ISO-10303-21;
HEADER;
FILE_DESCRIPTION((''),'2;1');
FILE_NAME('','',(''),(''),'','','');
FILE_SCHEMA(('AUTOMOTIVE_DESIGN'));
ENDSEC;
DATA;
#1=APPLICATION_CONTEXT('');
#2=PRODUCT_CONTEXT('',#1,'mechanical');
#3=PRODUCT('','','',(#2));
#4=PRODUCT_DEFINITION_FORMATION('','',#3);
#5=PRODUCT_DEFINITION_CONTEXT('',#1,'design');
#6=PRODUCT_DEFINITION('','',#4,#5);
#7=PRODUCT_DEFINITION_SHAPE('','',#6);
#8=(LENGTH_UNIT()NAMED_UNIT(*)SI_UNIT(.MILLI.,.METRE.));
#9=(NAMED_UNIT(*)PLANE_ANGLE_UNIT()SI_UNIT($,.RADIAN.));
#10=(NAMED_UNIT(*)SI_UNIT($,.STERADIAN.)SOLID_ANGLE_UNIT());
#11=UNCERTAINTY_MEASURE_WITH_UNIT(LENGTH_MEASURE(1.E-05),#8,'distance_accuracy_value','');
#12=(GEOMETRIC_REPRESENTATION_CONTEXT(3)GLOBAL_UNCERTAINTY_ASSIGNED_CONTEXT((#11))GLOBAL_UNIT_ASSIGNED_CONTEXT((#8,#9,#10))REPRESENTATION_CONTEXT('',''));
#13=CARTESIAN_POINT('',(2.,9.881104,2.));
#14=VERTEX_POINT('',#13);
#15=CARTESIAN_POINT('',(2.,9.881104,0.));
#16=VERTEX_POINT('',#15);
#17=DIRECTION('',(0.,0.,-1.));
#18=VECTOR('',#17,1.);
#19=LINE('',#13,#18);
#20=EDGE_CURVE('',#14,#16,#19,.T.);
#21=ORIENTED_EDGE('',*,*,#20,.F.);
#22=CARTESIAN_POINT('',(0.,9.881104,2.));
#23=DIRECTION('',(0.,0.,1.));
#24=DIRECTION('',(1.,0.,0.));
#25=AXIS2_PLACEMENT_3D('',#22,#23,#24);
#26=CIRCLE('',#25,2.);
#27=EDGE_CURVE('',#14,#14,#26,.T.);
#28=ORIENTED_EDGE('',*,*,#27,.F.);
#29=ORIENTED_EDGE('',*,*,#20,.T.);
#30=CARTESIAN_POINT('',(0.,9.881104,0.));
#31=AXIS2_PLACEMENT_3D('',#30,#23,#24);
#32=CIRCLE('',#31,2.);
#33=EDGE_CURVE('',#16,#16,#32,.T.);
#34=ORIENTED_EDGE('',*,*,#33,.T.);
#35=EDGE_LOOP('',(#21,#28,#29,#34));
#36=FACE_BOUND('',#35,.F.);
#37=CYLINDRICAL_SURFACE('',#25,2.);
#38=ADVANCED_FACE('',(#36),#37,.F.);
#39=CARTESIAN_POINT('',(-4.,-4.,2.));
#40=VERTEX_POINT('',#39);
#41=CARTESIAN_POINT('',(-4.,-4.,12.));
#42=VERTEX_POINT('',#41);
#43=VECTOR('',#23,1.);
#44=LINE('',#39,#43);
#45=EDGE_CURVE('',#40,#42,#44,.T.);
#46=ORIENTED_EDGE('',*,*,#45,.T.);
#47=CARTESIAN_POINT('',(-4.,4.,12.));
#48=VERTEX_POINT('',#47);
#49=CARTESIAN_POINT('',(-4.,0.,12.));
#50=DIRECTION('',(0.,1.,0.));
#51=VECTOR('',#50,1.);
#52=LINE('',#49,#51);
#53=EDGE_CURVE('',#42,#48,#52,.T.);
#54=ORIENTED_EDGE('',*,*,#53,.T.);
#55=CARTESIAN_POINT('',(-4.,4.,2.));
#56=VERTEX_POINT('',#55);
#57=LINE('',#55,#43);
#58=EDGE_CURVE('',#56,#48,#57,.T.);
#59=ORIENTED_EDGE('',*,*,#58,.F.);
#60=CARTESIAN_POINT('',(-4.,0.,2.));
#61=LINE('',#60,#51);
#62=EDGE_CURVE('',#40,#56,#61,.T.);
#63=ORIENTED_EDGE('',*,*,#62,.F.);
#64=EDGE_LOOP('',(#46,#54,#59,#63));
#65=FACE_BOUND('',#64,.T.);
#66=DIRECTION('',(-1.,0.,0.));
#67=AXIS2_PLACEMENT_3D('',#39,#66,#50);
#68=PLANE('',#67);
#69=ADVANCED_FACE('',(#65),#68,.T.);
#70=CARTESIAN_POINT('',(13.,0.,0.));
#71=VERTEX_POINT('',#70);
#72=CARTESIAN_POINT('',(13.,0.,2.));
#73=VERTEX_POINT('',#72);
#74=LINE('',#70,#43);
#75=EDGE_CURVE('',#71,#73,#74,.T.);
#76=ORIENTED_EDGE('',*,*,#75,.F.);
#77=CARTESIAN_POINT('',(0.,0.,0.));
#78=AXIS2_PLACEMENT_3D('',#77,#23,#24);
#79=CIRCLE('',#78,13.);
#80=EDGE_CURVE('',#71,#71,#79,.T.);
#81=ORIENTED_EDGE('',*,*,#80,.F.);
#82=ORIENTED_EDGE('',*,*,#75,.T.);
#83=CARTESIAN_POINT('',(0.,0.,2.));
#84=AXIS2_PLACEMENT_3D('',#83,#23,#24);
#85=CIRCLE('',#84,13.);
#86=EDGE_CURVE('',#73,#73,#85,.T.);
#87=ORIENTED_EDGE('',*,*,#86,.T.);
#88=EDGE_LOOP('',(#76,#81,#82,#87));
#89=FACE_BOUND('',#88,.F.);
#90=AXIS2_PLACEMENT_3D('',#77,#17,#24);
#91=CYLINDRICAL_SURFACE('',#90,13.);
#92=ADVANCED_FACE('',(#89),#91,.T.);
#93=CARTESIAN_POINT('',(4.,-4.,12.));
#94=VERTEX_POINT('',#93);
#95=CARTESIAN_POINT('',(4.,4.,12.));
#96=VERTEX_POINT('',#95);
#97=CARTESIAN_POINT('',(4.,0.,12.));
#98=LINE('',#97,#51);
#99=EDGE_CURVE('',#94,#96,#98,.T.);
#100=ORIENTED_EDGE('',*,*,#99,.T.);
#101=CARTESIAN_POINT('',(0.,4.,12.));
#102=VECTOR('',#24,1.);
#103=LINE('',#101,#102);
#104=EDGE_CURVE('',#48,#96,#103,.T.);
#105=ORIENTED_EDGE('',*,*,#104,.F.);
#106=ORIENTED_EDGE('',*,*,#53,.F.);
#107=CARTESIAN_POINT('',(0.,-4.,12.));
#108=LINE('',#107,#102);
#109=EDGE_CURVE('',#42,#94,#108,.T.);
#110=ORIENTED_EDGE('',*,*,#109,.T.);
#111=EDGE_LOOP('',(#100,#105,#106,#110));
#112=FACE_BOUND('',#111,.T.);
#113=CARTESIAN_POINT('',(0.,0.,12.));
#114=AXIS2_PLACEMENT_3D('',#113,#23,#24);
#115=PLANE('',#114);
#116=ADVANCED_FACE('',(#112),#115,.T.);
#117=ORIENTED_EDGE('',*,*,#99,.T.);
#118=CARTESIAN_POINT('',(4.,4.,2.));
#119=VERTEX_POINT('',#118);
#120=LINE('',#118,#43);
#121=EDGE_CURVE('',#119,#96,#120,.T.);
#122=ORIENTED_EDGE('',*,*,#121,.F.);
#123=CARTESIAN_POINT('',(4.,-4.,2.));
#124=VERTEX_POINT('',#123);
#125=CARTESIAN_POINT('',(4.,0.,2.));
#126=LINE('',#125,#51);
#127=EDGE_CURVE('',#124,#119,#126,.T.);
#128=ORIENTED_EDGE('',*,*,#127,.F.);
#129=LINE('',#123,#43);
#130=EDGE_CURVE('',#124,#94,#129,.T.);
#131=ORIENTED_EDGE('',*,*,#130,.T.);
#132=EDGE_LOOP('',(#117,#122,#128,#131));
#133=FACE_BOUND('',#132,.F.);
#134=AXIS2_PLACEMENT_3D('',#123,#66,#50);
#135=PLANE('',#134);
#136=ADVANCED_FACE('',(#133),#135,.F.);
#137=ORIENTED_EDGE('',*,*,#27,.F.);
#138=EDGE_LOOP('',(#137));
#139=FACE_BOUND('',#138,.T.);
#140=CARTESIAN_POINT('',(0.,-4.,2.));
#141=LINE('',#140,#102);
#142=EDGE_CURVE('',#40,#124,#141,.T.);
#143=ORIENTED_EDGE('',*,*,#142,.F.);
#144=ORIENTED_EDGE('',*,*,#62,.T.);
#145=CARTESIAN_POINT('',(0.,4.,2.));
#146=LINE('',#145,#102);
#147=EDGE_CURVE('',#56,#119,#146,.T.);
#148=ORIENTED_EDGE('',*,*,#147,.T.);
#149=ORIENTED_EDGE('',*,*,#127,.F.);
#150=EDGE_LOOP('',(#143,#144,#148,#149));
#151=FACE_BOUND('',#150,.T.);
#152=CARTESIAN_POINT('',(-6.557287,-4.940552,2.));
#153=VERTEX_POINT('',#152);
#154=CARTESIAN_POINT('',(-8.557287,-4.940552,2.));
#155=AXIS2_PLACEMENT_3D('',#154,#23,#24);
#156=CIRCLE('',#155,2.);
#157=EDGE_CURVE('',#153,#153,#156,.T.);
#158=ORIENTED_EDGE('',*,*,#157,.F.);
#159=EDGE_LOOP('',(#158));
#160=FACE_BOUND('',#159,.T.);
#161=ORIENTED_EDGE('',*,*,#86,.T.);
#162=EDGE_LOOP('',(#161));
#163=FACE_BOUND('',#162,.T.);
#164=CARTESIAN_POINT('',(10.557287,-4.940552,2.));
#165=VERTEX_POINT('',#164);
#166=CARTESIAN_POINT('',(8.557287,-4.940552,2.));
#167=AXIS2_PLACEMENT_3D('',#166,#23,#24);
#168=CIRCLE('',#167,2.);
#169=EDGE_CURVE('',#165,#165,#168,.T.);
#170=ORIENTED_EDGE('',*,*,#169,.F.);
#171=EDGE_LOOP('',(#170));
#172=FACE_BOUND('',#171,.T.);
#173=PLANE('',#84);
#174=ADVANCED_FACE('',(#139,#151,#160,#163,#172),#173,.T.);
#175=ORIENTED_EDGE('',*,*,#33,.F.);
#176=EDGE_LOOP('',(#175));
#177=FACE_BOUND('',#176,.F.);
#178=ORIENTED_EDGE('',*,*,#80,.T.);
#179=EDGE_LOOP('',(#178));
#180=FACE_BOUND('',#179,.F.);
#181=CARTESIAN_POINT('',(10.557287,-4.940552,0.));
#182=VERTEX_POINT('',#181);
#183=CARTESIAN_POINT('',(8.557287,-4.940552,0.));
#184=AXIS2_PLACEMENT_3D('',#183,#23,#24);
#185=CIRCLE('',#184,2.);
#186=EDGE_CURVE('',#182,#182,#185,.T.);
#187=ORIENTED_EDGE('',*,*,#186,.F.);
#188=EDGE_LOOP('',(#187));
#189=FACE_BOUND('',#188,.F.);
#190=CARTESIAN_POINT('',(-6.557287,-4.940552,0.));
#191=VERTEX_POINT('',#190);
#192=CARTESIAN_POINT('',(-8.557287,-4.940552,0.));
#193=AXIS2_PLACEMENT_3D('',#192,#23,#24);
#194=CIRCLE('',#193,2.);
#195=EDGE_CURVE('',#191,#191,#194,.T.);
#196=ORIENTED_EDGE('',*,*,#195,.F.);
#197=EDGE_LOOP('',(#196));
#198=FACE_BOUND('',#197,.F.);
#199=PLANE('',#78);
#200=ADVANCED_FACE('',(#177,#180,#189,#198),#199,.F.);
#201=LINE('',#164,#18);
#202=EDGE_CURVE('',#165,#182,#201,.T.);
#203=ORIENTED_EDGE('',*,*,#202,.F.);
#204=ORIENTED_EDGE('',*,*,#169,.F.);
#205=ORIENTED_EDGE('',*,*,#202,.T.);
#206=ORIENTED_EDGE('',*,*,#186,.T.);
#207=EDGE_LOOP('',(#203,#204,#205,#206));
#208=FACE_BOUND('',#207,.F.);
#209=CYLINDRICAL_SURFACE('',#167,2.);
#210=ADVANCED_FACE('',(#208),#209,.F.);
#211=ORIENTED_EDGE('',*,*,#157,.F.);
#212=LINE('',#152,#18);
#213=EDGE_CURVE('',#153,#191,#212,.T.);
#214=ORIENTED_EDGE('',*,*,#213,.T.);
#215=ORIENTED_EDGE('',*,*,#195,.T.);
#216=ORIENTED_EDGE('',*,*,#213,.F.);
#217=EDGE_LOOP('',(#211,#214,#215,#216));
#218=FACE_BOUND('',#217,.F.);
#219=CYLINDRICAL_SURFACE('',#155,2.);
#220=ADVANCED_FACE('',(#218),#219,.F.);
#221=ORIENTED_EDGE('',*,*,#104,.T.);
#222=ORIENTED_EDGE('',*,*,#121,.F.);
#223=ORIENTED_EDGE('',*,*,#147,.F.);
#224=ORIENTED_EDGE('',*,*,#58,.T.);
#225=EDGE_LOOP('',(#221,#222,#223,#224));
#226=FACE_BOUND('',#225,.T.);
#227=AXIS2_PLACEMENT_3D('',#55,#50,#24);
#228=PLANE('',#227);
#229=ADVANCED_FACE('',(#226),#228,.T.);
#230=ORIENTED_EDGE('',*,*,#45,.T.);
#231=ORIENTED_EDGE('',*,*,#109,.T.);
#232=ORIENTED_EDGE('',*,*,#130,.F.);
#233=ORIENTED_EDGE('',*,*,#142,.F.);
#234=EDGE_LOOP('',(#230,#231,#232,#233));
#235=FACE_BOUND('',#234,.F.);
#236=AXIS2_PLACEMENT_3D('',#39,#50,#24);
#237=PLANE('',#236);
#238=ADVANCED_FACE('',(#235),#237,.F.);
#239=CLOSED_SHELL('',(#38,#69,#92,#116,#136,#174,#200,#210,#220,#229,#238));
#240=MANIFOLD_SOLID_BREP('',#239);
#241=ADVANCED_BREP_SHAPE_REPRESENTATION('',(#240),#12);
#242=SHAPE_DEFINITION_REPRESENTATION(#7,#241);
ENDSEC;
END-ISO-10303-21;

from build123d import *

# Parameters (mm, degrees)
F0_R     = 13
F1_DEPTH = 2
F2_W     = 8
F2_H     = 8
F3_DEPTH = 10
F4_R     = 2
F5_DEPTH = 25


with BuildPart() as f1:
    # F0 (on Top) → F1 (new body)
    with BuildSketch(Plane.XY):
        Circle(F0_R)
    extrude(amount=F1_DEPTH)

    # F2 (on face) → F3 (join)
    with BuildSketch(Plane.XY.offset(2)):
        Rectangle(F2_W, F2_H)
    extrude(amount=F3_DEPTH)

    # F4 (on face) → F5 (cut)
    with BuildSketch(Plane.XY.offset(2)):
        with Locations((0, 9.881104)):
            Circle(F4_R)
        with Locations((8.557287, -4.940552)):
            Circle(F4_R)
        with Locations((-8.557287, -4.940552)):
            Circle(F4_R)
    extrude(amount=-F5_DEPTH, mode=Mode.SUBTRACT)


solid = f1.part
